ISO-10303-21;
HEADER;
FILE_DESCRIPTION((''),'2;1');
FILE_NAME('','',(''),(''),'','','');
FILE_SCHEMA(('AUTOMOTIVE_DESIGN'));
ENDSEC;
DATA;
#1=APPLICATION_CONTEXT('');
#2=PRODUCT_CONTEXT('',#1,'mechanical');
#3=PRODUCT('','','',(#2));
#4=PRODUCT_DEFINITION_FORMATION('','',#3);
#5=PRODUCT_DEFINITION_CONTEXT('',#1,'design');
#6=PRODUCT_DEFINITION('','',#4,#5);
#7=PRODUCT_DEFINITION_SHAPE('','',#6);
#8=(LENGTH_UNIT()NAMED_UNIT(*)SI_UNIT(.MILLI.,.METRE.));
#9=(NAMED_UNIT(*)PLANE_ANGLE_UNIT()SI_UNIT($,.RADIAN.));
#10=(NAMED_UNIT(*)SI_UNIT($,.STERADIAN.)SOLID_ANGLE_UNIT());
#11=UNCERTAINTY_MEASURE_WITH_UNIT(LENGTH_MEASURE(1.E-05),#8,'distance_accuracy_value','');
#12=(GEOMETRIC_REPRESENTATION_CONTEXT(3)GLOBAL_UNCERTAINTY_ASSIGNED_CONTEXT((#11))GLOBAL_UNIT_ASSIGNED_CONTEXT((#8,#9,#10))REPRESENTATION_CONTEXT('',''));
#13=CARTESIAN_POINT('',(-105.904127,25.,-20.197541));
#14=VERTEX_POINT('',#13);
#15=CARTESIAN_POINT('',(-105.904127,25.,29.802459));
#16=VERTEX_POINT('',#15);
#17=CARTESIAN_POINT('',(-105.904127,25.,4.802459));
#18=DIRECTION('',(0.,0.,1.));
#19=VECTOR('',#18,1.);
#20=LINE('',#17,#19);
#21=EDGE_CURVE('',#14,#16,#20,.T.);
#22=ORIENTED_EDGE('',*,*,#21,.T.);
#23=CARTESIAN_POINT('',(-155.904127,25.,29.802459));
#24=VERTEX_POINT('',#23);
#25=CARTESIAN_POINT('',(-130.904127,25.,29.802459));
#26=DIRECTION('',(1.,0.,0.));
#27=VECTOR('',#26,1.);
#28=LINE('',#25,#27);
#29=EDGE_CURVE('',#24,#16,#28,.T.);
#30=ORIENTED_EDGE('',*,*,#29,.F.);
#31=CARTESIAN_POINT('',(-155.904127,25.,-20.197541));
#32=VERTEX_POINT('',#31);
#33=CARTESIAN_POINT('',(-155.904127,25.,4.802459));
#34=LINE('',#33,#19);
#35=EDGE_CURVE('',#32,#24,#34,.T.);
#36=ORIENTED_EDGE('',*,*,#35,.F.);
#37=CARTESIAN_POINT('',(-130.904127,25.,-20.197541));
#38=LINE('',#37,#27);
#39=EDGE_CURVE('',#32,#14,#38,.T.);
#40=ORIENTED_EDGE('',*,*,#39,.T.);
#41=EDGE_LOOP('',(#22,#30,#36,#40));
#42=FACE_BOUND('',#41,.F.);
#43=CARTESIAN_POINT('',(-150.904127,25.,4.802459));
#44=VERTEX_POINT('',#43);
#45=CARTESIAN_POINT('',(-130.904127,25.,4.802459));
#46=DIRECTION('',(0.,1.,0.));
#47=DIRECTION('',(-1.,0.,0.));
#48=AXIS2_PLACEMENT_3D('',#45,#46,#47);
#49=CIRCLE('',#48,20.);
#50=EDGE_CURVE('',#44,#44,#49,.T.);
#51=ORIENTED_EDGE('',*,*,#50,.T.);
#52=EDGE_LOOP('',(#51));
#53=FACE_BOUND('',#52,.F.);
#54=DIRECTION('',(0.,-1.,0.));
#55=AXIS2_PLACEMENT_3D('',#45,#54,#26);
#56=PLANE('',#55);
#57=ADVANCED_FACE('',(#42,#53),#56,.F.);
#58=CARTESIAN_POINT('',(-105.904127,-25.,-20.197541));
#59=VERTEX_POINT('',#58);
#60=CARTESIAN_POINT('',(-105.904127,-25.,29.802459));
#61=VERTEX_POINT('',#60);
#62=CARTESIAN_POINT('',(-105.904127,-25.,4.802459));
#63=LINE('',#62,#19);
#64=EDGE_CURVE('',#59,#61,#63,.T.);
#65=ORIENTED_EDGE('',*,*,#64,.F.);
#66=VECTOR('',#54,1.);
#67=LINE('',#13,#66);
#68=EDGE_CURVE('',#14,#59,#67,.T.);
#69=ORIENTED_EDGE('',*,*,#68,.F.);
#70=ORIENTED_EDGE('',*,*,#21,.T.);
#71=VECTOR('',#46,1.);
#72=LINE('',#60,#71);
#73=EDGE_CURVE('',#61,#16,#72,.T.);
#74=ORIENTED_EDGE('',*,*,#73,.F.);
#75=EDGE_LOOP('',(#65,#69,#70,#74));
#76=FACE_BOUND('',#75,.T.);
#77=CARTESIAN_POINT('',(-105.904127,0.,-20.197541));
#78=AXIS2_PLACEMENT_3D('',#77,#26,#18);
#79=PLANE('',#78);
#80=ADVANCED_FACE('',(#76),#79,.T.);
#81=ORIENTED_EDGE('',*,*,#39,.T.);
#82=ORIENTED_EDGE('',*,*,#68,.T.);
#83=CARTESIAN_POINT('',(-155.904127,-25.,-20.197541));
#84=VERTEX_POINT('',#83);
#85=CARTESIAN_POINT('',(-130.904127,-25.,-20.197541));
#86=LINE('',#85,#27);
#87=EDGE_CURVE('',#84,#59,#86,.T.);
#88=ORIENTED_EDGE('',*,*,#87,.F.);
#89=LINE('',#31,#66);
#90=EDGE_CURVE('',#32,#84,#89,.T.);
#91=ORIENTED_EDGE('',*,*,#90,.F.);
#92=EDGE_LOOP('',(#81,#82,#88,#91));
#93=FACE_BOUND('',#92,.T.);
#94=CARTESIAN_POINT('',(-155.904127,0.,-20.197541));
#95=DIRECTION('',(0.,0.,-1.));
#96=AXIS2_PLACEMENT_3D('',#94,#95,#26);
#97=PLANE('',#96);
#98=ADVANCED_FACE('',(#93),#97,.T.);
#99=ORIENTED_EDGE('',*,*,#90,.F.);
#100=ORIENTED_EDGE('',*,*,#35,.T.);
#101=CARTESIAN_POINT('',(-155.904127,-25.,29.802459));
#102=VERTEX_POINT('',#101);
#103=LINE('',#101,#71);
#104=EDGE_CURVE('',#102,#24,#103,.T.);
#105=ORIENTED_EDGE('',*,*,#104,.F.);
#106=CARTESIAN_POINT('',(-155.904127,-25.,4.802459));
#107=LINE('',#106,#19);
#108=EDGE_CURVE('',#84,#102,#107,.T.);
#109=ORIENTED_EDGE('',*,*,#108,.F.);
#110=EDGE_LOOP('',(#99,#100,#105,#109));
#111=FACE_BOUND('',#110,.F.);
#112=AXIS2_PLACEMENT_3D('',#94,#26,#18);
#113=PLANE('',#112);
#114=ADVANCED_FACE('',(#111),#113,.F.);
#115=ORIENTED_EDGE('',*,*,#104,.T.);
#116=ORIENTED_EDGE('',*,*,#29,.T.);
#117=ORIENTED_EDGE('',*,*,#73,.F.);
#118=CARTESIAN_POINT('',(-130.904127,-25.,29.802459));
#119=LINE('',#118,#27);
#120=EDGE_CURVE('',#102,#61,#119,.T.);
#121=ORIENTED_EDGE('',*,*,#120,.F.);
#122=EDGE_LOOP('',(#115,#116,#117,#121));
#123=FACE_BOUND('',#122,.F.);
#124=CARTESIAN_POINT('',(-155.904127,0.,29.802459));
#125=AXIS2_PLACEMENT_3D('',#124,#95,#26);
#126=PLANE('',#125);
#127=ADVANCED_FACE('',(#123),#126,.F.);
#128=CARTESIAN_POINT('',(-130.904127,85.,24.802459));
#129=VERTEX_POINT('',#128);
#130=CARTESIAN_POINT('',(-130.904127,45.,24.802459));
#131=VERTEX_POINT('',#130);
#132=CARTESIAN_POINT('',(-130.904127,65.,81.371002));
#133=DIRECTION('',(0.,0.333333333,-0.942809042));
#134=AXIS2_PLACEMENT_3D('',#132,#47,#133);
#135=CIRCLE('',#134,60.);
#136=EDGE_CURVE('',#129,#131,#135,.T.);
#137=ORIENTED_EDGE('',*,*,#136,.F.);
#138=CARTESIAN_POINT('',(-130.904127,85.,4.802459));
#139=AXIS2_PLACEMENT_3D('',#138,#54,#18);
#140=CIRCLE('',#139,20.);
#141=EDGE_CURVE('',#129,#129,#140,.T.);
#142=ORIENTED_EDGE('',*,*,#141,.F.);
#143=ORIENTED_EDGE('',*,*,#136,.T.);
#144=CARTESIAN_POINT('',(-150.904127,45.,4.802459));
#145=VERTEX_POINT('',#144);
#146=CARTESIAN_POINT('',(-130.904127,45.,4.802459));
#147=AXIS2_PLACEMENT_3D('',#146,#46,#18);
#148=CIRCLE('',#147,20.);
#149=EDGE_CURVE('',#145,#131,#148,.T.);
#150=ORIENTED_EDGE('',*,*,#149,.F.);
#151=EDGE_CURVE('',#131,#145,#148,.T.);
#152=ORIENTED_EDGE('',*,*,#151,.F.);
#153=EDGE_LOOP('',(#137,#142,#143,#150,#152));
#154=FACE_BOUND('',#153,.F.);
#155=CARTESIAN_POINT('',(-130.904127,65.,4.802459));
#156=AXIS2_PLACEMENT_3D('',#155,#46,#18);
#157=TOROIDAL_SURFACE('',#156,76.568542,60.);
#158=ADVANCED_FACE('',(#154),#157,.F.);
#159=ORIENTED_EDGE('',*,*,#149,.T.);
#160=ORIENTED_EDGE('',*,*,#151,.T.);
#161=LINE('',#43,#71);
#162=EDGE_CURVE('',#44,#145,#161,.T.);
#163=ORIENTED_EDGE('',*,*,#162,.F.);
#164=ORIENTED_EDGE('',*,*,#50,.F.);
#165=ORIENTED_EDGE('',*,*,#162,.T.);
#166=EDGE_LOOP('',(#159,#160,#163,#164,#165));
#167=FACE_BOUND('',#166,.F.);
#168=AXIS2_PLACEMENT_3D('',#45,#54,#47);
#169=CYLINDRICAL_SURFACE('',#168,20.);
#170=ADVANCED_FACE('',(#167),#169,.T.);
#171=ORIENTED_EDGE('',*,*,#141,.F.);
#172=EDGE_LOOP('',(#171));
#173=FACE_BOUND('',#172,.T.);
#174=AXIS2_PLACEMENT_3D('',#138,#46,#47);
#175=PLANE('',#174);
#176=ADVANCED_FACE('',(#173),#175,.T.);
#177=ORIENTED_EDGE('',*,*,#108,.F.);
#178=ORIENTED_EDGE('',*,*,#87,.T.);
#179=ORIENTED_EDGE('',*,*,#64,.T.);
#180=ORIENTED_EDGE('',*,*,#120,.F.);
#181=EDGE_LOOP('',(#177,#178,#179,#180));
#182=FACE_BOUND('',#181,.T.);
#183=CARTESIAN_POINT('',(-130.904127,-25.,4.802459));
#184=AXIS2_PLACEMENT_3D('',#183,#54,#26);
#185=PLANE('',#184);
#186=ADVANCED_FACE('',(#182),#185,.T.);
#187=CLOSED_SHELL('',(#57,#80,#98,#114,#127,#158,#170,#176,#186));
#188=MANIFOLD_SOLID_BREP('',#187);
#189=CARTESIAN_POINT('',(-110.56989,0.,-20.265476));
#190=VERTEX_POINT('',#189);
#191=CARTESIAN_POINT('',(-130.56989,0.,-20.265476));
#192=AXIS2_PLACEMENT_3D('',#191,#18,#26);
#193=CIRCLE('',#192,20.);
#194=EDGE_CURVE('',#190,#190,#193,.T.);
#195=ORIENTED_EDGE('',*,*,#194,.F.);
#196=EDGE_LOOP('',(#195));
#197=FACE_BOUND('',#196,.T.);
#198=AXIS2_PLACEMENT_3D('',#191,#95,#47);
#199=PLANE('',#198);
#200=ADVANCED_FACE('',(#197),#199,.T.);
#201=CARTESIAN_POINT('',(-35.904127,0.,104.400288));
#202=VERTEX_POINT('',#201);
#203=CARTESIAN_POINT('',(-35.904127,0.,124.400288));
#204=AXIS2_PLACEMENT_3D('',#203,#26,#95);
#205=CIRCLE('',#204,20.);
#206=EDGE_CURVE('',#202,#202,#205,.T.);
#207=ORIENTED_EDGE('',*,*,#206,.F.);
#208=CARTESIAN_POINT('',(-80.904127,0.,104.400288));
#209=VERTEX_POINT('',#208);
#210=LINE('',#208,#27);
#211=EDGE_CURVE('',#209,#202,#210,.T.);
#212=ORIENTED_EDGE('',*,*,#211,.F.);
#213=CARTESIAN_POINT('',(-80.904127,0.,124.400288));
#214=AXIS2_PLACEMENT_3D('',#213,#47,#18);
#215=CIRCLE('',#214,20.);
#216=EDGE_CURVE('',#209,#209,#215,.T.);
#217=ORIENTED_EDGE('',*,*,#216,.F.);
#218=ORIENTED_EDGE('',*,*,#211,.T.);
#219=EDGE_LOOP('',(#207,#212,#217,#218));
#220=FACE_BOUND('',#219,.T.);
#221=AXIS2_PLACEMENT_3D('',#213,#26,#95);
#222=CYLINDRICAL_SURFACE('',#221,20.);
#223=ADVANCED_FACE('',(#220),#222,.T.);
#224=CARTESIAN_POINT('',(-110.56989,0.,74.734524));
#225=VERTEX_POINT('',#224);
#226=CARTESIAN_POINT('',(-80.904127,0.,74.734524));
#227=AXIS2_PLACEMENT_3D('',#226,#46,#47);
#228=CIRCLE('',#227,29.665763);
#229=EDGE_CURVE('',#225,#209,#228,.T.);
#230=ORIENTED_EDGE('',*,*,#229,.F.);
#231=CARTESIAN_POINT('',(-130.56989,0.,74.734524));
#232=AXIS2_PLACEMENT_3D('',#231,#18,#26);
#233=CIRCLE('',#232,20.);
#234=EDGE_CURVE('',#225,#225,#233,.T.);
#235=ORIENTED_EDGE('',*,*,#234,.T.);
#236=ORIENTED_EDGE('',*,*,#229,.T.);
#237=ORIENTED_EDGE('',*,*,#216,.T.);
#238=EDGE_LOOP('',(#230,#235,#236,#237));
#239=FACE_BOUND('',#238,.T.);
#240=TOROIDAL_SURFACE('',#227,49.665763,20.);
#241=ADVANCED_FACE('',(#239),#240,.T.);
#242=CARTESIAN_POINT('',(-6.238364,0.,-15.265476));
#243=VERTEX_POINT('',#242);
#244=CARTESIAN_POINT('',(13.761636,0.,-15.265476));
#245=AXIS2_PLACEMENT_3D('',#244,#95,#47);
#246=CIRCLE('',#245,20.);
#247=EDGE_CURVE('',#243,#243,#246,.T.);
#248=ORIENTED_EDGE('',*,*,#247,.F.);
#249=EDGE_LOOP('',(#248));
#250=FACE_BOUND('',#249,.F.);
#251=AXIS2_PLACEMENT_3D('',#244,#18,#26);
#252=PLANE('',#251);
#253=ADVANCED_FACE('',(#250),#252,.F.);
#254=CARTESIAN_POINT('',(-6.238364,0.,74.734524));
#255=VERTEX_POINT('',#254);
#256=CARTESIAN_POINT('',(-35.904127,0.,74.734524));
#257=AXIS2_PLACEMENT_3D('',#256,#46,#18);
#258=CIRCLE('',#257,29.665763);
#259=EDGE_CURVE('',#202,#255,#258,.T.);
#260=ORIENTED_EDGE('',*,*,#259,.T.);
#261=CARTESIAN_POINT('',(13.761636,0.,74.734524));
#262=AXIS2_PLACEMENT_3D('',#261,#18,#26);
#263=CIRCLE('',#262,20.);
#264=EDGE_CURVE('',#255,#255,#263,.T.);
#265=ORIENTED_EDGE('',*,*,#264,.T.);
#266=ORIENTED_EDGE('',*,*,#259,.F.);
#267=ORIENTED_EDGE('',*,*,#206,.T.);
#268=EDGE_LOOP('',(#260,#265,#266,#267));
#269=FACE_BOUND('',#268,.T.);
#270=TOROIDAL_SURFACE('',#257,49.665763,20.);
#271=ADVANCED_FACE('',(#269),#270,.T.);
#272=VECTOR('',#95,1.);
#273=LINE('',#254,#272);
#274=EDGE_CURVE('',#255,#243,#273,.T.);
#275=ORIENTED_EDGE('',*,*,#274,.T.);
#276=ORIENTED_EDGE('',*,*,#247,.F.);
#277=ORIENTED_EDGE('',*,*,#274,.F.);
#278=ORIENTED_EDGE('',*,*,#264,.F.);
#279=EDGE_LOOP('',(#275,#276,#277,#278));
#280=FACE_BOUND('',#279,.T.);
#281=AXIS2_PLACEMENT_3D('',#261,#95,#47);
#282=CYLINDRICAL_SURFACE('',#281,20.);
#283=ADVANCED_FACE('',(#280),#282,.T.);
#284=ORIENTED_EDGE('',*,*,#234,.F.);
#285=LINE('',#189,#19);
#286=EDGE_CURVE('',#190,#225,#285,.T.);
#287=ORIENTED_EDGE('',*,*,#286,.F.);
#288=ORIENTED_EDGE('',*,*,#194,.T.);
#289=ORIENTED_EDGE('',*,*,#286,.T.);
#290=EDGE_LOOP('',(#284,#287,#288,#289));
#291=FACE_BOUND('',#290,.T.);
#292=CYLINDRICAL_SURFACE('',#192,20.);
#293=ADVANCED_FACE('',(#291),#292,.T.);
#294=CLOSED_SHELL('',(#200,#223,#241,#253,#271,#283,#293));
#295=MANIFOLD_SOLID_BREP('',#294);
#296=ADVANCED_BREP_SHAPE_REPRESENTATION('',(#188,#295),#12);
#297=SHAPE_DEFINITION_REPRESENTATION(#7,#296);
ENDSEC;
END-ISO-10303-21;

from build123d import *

# Parameters (mm, degrees)
F1_W          = 50
F1_H          = 50
F2_DEPTH      = 25
F2_DEPTH_BACK = 25
F3_R          = 20
F5_R          = 20
F6_DEPTH      = 60


with BuildPart() as f2:
    # F1 (on Front) → F2 (new body, two sides)
    with BuildSketch(Plane.XZ) as f2_sk:
        with Locations((-130.9041270614, 4.8024594039)):
            Rectangle(F1_W, F1_H)
    extrude(amount=F2_DEPTH)
    extrude(f2_sk.sketch, amount=-F2_DEPTH_BACK)

    # F5 (on face) → F6 (join)
    with BuildSketch(Plane(origin=(0, 25, 0), x_dir=(-1, 0, 0), z_dir=(0, 1, 0))):
        with Locations((130.9041270614, 4.8024594039)):
            Circle(F5_R)
    extrude(amount=F6_DEPTH)

    # F8 (on offset) → F9 (revolve, cut)
    with BuildSketch(Plane(origin=(-130.9041270614, 0, 0), x_dir=(0, -1, 0), z_dir=(-1, 0, 0))):
        with BuildLine():
            Line((-45, 24.8024594039), (-85, 24.8024594039))
            ThreePointArc((-85, 24.8024594039), (-65, 21.3710018988), (-45, 24.8024594039))
        make_face()
    revolve(axis=Axis((-130.9041270614, 85, 4.8024594039), (0, 1, 0)), mode=Mode.SUBTRACT)


with BuildPart() as f4:
    # F4: sweep along a path in F0
    with BuildLine(Plane.XZ) as f4_path:
        Line((-130.9041270614, -20.2654755116), (-130.9041270614, 74.7345244884))
        ThreePointArc((-130.9041270614, 74.7345244884), (-116.2594661207, 110.0898635478), (-80.9041270614, 124.7345244884))
        Line((-80.9041270614, 124.7345244884), (-35.9041270614, 124.7345244884))
        ThreePointArc((-35.9041270614, 124.7345244884), (-0.548788002, 110.0898635478), (14.0958729386, 74.7345244884))
        Line((14.0958729386, 74.7345244884), (14.0958729386, -15.2654755116))
    # F3 (on face) → F4 (sweep)
    with BuildSketch(Plane(origin=(0, 0, -20.1975405961), x_dir=(1, 0, 0), z_dir=(0, 0, -1))):
        with Locations((-130.5698901415, 0)):
            Circle(F3_R)
    sweep(path=f4_path.line)


solid = Compound([f2.part, f4.part])
